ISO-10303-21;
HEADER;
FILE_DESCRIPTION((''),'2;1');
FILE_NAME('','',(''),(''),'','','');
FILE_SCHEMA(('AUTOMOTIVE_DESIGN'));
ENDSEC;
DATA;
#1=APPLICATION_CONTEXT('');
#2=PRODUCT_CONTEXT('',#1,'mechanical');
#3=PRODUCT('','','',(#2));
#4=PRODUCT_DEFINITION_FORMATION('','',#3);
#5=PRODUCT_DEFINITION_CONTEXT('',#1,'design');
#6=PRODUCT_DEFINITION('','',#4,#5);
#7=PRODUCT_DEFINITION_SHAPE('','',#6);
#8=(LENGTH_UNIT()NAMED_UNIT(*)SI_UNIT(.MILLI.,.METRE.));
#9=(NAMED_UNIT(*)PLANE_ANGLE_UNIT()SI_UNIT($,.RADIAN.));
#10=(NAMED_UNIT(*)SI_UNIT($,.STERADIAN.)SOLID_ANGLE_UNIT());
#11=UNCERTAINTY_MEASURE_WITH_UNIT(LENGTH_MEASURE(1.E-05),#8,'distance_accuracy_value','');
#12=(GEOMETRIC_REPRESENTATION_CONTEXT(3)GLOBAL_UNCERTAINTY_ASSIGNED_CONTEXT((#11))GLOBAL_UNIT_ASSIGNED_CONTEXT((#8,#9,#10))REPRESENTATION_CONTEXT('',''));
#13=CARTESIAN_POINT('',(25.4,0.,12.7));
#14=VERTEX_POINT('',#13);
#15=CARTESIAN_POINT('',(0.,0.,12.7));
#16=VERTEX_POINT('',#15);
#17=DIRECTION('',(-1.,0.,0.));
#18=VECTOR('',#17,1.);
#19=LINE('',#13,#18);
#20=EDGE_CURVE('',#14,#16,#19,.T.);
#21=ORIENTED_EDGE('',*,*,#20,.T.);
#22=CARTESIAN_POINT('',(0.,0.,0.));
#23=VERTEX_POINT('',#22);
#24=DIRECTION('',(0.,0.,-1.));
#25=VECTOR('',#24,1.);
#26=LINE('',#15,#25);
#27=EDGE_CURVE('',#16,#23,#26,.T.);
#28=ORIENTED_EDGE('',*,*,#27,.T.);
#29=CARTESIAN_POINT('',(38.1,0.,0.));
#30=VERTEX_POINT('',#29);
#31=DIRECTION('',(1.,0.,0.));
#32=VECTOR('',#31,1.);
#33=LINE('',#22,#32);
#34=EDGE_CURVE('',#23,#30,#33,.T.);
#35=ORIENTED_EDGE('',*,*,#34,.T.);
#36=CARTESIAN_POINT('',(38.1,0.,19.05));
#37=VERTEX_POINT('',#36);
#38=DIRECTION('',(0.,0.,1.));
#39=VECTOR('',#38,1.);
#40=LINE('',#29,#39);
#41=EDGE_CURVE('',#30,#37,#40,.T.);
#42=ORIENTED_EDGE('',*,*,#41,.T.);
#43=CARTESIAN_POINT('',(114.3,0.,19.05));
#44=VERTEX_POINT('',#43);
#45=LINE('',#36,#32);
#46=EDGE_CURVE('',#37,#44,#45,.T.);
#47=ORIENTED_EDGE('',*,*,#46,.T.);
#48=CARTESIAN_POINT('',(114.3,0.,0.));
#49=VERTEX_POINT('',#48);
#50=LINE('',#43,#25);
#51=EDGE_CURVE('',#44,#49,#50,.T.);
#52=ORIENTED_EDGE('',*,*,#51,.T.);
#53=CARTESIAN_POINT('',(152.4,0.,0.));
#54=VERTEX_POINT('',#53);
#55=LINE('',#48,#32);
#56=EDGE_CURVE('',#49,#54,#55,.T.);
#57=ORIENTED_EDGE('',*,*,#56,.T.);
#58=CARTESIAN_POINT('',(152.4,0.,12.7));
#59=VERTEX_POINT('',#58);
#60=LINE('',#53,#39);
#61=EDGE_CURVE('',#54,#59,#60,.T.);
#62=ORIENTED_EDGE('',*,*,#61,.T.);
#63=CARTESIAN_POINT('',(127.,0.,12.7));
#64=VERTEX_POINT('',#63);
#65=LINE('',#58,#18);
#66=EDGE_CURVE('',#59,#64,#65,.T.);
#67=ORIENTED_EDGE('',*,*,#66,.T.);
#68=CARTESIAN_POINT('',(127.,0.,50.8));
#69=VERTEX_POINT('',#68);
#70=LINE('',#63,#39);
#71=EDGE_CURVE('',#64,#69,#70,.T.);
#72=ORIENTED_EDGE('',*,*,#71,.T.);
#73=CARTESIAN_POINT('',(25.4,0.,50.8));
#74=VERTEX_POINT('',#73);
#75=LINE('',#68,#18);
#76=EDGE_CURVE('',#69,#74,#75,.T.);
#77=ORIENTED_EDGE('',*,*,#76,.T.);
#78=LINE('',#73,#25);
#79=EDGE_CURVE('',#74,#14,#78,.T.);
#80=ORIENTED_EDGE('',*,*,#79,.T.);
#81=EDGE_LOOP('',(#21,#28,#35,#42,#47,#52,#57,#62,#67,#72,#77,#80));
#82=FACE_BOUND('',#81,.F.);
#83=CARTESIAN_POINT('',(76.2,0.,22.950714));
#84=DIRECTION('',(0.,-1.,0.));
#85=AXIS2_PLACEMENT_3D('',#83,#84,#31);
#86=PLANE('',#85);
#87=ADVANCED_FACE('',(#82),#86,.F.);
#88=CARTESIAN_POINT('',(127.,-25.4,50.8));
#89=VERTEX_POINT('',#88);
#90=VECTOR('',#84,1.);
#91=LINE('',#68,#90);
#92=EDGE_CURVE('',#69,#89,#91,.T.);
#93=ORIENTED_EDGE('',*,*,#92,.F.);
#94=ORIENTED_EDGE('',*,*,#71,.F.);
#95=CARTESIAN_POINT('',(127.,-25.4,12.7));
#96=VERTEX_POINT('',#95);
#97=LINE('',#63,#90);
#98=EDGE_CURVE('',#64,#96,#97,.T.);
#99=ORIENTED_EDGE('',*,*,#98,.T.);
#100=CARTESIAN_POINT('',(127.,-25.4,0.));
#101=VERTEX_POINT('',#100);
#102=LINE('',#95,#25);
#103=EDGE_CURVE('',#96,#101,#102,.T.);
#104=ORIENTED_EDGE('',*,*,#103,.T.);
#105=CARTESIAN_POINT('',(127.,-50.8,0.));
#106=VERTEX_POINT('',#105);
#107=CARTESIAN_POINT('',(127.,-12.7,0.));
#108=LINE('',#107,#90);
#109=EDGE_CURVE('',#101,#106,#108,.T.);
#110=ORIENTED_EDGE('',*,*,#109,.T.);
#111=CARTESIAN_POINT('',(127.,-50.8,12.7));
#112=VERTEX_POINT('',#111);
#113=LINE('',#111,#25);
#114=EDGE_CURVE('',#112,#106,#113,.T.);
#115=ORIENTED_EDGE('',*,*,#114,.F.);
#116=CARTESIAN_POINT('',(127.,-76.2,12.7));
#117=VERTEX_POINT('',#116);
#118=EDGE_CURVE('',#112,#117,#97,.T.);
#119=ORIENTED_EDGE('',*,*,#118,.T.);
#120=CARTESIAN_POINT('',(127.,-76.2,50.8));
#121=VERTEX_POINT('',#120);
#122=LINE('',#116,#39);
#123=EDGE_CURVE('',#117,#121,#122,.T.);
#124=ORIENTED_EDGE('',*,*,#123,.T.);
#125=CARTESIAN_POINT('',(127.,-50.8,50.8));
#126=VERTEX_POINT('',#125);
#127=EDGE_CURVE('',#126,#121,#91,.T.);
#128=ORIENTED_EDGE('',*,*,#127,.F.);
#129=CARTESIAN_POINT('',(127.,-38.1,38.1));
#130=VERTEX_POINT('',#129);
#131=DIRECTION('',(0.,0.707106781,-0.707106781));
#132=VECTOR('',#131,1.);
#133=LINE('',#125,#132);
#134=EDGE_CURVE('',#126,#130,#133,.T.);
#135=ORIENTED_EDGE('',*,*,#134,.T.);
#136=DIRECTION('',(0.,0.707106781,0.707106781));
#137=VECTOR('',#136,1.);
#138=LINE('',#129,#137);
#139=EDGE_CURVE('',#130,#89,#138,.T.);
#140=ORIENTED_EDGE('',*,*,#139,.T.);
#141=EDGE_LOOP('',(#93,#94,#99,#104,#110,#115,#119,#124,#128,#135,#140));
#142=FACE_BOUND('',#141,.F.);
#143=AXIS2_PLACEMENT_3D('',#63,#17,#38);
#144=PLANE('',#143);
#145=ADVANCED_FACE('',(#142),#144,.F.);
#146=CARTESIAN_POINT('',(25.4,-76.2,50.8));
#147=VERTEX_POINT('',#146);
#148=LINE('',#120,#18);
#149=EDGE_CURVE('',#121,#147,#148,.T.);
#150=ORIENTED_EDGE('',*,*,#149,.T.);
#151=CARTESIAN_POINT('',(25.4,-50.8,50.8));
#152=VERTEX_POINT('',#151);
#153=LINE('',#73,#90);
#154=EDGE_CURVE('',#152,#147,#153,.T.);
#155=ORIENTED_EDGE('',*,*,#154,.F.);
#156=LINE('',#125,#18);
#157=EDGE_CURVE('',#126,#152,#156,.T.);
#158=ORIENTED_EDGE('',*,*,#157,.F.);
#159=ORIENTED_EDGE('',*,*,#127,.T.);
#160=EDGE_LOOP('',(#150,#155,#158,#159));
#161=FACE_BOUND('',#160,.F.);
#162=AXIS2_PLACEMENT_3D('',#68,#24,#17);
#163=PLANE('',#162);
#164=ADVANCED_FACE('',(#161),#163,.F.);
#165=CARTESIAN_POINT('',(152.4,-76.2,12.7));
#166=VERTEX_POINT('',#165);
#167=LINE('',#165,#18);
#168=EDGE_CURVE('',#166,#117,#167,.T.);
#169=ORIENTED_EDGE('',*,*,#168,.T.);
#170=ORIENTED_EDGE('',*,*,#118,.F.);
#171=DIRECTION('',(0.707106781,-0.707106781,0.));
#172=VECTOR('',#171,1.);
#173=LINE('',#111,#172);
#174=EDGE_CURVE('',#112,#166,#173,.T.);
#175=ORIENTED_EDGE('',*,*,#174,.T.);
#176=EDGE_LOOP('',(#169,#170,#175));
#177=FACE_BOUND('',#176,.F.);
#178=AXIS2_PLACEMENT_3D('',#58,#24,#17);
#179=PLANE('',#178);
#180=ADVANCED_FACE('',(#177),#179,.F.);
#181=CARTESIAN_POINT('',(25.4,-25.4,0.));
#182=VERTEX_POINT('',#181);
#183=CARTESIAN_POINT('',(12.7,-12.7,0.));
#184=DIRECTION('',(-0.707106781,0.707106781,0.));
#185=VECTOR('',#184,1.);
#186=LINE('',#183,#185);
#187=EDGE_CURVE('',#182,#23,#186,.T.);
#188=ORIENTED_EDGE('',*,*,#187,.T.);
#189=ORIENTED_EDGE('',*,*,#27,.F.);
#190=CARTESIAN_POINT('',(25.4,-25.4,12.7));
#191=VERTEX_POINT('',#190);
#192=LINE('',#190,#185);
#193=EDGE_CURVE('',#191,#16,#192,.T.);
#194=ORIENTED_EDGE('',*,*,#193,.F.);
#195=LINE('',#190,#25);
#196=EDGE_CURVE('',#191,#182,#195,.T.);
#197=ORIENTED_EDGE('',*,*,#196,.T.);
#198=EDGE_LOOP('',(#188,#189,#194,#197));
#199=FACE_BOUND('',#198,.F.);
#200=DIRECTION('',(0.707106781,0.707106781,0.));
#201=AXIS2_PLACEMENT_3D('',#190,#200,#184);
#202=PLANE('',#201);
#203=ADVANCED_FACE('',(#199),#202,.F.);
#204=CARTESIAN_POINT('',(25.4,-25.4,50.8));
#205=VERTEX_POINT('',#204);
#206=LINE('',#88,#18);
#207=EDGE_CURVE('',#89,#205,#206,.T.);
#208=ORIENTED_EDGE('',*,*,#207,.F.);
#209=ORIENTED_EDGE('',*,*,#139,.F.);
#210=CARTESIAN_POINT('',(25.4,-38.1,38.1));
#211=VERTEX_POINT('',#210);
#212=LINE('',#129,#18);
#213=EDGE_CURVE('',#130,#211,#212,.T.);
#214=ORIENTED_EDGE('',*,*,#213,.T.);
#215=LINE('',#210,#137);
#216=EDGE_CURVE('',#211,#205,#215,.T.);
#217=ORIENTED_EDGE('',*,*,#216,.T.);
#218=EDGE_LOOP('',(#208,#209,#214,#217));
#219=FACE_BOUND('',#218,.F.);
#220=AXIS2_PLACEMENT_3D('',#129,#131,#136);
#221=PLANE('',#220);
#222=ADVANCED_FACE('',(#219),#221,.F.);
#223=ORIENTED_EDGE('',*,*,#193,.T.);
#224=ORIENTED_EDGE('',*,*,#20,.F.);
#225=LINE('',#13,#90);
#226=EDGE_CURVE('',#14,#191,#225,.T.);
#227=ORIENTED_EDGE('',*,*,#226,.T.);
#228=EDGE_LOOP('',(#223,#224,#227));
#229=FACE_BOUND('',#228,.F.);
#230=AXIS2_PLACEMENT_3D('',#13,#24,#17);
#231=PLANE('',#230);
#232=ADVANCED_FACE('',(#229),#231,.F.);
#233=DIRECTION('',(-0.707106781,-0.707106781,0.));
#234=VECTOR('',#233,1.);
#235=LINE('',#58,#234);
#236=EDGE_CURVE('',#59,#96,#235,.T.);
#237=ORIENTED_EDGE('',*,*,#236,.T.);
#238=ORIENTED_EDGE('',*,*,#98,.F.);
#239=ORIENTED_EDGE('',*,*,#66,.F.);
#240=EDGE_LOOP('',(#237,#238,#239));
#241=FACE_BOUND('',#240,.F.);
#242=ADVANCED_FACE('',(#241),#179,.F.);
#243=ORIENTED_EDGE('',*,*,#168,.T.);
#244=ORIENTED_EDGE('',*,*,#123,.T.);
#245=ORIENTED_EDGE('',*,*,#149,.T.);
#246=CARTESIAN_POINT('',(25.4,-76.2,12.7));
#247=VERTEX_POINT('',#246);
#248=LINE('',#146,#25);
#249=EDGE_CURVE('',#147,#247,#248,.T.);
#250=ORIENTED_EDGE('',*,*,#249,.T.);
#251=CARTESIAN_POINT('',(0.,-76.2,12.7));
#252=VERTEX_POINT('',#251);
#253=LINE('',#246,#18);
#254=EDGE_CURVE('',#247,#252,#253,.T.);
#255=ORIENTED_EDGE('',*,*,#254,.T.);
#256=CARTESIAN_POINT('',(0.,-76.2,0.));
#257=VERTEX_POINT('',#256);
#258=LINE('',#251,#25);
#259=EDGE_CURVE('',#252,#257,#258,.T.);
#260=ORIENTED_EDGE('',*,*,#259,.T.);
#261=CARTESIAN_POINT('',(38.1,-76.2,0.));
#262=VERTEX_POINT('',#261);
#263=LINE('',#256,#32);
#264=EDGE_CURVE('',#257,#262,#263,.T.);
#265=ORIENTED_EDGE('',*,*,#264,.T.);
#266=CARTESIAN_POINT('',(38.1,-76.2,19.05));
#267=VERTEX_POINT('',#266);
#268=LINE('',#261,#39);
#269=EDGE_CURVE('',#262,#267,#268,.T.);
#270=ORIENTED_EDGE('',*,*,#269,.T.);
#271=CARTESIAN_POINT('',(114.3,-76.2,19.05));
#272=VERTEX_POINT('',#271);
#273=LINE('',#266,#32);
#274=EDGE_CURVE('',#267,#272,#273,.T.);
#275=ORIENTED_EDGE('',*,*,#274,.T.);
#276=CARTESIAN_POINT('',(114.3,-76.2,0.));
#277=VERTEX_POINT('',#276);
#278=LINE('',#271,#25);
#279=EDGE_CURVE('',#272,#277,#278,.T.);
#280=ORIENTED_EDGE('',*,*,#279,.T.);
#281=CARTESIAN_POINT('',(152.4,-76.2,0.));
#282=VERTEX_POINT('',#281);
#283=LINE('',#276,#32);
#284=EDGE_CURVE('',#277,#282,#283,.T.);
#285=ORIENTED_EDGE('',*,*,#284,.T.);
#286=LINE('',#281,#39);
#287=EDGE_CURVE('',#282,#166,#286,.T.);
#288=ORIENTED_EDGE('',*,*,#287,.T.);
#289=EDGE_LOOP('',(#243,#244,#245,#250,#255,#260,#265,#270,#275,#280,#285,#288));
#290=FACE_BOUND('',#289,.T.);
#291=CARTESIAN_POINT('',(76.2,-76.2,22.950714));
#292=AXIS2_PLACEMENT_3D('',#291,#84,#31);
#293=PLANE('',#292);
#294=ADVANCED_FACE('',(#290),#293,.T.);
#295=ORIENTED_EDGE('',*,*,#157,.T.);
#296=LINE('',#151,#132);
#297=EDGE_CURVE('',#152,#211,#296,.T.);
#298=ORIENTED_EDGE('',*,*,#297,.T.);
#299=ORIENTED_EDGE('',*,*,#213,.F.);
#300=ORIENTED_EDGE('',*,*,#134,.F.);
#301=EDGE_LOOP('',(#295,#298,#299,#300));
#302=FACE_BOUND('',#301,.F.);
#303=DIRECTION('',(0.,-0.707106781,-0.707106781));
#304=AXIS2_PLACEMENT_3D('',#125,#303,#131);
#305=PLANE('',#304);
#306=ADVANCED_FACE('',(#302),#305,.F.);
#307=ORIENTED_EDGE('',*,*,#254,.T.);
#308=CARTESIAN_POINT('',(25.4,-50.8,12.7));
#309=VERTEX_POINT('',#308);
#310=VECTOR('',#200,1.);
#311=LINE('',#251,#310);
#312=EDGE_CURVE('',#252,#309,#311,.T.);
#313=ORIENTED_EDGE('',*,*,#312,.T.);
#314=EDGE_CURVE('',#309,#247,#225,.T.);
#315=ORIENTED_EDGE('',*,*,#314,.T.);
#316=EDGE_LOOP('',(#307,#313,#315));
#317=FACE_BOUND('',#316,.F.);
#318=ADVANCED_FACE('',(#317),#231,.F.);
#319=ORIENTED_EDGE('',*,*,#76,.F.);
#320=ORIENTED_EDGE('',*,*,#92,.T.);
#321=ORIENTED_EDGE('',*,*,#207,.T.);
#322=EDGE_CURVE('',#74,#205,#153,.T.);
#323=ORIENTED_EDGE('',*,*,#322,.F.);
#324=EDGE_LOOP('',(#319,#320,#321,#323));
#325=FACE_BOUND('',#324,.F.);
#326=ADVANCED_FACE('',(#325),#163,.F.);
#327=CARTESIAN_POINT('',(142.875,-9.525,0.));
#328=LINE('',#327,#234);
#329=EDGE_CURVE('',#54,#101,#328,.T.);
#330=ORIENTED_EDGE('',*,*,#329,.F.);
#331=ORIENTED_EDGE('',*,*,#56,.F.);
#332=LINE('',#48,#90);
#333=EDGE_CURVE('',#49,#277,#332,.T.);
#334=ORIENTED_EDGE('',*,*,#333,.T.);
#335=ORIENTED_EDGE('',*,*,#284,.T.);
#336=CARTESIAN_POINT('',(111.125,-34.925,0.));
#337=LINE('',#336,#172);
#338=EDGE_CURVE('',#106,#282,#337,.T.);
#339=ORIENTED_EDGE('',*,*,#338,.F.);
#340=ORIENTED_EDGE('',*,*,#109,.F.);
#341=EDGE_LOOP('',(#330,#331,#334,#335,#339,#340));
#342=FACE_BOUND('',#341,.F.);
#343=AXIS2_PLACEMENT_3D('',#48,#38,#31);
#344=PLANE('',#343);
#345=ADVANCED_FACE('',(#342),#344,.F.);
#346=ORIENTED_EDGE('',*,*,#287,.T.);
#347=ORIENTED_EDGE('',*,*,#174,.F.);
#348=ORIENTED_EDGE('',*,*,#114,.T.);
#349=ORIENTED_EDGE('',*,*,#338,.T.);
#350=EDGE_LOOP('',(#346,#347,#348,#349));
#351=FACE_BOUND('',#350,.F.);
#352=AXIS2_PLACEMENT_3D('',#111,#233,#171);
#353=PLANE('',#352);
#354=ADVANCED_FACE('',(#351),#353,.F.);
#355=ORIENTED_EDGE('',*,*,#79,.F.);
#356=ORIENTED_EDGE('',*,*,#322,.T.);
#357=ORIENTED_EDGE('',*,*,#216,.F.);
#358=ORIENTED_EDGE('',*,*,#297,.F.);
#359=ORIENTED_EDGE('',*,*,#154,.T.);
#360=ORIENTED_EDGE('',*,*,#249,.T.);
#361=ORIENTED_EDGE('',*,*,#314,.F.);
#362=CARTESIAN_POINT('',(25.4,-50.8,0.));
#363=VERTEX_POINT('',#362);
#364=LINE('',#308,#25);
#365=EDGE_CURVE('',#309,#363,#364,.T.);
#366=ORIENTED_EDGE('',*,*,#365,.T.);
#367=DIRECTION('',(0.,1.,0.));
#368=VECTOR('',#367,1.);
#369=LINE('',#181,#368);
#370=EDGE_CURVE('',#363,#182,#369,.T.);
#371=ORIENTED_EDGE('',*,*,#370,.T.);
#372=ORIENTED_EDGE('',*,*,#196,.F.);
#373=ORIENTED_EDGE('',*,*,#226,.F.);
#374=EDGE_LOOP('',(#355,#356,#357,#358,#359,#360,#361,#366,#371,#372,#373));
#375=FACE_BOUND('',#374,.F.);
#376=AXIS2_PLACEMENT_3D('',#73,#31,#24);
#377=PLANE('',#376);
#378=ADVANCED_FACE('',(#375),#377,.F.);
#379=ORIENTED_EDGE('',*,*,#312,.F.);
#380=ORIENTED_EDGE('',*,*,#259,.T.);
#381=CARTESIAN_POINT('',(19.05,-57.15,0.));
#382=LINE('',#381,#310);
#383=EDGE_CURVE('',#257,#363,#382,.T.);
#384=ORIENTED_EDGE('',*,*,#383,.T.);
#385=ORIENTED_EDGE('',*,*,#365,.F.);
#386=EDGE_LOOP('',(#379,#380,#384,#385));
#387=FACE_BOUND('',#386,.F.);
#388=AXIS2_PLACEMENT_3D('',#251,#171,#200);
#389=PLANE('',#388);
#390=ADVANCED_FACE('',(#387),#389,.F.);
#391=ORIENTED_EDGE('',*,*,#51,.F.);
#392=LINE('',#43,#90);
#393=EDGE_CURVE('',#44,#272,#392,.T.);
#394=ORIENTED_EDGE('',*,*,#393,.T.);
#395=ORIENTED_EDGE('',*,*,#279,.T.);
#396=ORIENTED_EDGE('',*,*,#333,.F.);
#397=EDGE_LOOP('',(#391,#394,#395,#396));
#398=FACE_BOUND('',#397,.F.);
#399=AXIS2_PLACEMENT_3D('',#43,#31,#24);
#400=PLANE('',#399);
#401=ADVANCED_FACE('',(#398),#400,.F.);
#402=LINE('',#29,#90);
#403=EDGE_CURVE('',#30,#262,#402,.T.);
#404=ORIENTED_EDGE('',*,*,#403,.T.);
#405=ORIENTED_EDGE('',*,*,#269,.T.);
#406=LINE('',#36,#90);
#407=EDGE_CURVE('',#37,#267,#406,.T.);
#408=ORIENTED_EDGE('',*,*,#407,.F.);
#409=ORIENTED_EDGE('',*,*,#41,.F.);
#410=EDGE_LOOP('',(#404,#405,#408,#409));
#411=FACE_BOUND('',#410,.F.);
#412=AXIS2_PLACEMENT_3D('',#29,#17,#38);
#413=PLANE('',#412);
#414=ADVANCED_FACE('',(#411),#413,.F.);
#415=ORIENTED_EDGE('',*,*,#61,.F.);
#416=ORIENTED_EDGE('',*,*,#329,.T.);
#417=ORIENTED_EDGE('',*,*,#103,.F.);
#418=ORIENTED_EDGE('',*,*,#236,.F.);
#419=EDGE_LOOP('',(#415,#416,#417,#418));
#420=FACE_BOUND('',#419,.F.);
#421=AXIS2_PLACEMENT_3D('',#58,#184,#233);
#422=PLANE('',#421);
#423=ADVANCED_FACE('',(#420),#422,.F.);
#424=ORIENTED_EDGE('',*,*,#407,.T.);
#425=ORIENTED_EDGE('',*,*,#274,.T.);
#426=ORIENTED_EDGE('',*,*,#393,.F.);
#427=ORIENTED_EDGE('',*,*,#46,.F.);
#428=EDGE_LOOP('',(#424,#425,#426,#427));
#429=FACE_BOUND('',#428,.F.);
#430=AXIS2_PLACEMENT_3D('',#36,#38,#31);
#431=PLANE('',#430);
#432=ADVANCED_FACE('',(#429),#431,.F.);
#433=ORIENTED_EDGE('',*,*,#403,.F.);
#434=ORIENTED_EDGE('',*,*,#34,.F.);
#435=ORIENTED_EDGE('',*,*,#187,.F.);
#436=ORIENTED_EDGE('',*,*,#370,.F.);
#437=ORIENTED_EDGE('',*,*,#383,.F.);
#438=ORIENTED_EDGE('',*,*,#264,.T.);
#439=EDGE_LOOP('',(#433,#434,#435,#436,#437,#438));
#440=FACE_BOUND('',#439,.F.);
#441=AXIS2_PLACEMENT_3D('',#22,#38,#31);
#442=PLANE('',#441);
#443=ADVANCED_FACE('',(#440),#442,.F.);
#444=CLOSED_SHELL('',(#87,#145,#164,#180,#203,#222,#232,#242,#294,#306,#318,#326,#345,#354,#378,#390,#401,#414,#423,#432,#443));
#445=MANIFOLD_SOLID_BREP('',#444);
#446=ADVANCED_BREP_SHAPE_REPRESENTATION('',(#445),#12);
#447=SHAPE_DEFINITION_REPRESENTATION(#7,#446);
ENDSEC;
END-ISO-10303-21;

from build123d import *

# Parameters (mm, degrees)
F1_DEPTH = 76.2
F3_DEPTH = 25.4
F5_DEPTH = 25.4
F7_DEPTH = 101.6


with BuildPart() as f1:
    # F0 (on Front) → F1 (new body)
    with BuildSketch(Plane.XZ):
        Polygon((0, 12.7), (0, 0), (38.1, 0), (38.1, 19.05), (114.3, 19.05), (114.3, 0), (152.4, 0), (152.4, 12.7), (127, 12.7), (127, 50.8), (25.4, 50.8), (25.4, 12.7), align=None)
    extrude(amount=F1_DEPTH)

    # F2 (on face) → F3 (cut)
    with BuildSketch(Plane.XY.offset(12.7)):
        Polygon((127, -25.4), (127, -50.8), (152.4, -76.2), (152.4, 0), align=None)
    extrude(amount=-F3_DEPTH, mode=Mode.SUBTRACT)

    # F4 (on face) → F5 (cut)
    with BuildSketch(Plane.XY.offset(12.7)):
        Polygon((0, -76.2), (25.4, -50.8), (25.4, -25.4), (0, 0), align=None)
    extrude(amount=-F5_DEPTH, mode=Mode.SUBTRACT)

    # F6 (on face) → F7 (cut)
    with BuildSketch(Plane.YZ.offset(127)):
        Polygon((-25.4, 50.8), (-50.8, 50.8), (-38.1, 38.1), align=None)
    extrude(amount=-F7_DEPTH, mode=Mode.SUBTRACT)


solid = f1.part
